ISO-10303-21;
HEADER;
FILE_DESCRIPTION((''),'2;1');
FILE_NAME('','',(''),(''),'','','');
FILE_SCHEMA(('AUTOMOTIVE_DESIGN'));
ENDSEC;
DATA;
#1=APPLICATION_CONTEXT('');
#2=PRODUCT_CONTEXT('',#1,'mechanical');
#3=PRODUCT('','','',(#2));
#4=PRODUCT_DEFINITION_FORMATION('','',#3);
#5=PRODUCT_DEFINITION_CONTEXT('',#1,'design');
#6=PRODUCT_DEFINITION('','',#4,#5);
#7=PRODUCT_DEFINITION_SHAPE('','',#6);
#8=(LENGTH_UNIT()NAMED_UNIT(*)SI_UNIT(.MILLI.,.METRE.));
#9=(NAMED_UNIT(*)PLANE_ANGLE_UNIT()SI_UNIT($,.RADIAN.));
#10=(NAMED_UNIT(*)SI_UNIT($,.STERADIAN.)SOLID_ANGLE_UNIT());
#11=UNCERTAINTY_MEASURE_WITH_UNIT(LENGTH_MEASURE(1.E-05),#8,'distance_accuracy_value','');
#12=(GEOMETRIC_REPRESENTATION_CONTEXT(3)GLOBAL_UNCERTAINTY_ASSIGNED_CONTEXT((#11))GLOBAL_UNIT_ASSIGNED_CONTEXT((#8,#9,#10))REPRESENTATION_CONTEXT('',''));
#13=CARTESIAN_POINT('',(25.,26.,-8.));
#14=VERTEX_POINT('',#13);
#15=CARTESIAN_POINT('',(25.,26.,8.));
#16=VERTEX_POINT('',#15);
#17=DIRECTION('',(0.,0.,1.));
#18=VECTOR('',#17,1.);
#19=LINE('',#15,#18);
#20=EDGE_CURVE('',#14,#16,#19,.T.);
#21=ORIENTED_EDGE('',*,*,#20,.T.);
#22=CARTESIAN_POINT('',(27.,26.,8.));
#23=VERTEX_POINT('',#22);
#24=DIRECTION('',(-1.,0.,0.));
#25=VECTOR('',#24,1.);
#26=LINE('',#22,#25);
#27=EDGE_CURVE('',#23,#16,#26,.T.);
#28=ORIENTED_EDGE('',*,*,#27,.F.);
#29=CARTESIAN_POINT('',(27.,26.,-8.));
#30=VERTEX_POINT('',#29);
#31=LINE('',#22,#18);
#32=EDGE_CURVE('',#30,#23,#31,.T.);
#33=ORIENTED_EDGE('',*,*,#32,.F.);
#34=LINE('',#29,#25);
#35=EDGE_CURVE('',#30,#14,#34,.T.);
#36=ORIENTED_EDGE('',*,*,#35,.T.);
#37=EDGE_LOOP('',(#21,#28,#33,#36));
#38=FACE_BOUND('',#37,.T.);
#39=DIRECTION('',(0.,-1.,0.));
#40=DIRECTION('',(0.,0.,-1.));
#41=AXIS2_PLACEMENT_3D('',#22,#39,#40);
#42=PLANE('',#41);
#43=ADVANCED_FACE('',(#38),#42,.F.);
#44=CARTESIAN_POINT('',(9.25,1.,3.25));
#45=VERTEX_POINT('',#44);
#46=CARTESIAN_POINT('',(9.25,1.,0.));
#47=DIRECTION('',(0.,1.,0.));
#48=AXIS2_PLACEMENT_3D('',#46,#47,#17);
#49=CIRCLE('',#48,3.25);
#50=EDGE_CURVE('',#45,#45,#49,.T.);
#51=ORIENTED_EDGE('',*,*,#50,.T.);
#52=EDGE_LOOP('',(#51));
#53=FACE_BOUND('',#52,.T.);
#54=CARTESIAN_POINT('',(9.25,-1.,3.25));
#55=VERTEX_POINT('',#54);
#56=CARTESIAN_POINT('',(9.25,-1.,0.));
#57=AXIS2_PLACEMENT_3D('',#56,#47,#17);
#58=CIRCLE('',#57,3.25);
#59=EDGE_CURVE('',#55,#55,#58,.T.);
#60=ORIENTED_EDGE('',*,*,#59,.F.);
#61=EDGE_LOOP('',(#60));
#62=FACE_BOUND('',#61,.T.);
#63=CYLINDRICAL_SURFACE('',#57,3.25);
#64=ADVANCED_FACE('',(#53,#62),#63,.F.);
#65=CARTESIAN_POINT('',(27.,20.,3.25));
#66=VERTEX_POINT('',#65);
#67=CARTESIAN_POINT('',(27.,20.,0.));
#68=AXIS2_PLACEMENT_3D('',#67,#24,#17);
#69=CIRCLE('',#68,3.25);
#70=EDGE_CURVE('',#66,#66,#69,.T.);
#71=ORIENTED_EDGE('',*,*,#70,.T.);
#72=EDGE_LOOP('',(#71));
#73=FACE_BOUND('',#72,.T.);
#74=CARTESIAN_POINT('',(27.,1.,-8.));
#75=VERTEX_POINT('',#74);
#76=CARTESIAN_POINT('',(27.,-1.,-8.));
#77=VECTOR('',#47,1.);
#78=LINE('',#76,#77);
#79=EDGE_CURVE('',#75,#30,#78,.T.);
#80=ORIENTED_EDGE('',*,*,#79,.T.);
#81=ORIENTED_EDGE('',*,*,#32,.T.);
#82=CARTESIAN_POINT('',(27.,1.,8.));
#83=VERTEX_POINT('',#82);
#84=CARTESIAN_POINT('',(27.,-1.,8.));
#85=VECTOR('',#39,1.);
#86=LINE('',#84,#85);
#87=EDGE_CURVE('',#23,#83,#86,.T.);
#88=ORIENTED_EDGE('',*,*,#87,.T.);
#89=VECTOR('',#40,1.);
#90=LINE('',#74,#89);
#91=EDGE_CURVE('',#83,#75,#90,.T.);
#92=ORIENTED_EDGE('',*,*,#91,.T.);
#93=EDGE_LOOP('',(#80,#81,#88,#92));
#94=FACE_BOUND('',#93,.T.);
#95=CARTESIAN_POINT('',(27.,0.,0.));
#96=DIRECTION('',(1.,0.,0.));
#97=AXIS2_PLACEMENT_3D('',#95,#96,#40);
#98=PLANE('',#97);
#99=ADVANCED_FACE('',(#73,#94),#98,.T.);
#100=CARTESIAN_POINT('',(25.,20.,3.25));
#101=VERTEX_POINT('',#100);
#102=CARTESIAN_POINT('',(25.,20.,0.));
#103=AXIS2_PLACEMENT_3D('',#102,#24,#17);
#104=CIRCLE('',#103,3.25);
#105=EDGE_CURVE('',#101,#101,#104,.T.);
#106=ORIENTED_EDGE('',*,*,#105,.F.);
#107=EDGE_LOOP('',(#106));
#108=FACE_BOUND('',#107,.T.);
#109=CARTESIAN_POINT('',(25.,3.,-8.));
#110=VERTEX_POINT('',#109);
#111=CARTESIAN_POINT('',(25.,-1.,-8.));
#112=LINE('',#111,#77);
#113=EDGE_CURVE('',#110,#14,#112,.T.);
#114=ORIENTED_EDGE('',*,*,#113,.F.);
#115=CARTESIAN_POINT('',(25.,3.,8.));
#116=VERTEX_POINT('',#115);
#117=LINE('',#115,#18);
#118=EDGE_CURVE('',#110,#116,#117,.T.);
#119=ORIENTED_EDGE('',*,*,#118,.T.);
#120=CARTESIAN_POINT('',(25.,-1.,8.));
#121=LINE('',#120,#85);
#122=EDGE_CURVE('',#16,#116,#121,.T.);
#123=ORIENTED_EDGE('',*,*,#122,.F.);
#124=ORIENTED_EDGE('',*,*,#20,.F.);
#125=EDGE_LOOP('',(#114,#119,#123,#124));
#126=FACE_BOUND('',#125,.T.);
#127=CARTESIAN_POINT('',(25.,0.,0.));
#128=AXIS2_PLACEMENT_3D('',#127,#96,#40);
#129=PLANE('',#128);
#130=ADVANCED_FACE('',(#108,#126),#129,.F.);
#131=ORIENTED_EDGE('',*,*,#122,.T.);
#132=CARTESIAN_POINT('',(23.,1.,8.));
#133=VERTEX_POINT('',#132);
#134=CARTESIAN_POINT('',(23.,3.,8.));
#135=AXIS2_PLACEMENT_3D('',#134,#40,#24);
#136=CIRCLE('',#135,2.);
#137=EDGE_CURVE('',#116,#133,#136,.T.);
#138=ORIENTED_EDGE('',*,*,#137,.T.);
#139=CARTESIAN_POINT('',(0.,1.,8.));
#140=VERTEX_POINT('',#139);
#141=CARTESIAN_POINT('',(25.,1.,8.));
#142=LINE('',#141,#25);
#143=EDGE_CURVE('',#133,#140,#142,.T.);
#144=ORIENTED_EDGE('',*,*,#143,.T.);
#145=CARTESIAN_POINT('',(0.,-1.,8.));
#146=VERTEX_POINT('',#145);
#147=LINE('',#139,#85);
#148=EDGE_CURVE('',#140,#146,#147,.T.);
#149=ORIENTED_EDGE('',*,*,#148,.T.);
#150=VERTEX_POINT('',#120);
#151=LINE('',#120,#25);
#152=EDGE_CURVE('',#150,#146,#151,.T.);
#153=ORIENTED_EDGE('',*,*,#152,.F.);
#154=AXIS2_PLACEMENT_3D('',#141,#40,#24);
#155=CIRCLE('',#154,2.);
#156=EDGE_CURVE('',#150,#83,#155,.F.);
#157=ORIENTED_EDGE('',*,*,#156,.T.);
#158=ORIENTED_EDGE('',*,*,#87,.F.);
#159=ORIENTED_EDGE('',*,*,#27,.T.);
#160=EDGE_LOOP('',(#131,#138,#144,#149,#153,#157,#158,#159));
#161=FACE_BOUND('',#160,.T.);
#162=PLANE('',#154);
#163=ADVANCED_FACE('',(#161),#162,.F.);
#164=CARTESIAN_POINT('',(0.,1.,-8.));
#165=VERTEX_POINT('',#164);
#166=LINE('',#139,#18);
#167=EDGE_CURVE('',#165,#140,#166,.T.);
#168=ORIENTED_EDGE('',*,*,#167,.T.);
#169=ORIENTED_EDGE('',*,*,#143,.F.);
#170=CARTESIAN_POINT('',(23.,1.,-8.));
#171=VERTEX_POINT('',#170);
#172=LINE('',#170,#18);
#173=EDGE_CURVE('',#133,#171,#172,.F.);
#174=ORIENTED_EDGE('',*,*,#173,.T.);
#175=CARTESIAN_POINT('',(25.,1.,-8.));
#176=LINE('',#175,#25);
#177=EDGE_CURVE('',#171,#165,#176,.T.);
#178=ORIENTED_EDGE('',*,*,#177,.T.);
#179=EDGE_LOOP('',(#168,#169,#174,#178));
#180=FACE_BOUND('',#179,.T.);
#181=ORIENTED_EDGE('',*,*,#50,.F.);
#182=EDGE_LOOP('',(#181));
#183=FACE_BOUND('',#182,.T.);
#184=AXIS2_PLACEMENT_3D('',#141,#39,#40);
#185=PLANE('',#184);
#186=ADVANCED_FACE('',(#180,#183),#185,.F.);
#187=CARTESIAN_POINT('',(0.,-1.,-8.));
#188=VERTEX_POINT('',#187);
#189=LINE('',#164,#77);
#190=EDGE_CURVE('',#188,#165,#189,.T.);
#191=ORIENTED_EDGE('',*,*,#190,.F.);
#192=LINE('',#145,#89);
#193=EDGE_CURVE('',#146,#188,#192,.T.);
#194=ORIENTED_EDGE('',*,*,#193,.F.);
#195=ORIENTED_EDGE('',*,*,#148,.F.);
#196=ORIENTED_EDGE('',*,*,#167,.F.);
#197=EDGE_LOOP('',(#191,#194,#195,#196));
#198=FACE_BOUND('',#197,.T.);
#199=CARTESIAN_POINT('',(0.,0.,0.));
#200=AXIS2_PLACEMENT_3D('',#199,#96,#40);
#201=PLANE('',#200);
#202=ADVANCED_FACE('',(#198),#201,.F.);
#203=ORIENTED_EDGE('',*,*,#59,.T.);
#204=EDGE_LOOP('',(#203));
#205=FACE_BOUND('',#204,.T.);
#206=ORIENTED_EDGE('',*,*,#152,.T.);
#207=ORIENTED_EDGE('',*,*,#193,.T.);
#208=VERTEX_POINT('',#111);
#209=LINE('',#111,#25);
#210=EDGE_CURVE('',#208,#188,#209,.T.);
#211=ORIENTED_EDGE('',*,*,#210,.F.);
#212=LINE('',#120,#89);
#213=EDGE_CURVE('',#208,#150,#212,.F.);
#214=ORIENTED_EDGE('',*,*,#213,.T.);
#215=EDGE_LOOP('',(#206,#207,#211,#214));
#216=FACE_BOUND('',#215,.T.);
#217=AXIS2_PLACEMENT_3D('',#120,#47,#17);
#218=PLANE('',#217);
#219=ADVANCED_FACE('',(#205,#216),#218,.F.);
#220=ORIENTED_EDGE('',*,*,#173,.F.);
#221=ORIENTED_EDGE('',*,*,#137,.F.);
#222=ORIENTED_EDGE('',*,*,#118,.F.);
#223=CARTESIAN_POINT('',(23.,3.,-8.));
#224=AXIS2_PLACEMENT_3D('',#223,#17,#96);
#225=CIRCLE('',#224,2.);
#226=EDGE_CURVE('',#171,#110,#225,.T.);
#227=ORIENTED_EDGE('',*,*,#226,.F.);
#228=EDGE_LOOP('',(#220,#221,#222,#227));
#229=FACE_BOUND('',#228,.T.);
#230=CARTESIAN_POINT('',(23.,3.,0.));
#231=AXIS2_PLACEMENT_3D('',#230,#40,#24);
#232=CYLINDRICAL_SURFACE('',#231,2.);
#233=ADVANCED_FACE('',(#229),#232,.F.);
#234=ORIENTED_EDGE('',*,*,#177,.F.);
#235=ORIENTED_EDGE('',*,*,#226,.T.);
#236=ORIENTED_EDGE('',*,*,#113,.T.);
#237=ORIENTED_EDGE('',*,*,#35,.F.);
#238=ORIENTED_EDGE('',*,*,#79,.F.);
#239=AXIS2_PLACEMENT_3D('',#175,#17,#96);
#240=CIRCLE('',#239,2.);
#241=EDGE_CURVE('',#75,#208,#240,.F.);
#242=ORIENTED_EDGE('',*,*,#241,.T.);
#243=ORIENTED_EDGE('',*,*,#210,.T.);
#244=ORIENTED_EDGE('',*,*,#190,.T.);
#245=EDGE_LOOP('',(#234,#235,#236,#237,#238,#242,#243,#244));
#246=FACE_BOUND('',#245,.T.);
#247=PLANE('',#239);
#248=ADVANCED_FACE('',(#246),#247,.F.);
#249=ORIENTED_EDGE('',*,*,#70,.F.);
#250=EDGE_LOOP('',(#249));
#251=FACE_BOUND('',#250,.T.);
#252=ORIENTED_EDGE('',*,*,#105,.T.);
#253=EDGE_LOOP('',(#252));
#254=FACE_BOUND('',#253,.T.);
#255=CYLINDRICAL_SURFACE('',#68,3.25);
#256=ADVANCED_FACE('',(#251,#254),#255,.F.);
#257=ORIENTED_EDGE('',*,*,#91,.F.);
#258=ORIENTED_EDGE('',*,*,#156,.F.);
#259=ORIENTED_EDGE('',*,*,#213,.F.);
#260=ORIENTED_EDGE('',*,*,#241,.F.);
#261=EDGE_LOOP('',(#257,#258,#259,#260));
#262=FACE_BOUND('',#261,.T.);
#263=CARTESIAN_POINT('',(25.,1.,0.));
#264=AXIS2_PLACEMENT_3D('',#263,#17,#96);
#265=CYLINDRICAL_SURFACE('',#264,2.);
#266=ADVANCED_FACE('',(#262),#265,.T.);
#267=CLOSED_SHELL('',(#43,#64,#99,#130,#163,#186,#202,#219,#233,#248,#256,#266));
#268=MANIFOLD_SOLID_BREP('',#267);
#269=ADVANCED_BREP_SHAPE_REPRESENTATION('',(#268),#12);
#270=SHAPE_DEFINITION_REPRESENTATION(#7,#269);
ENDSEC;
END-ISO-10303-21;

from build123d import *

# Parameters (mm, degrees)
CROQUIS2_W              = 16
CROQUIS2_H              = 2
SALIENTE_EXTRUIR3_DEPTH = 25
CROQUIS3_W              = 16
CROQUIS3_H              = 27
SALIENTE_EXTRUIR4_DEPTH = 2
REDONDEO1_R             = 2
CROQUIS4_R              = 3.25
CORTAR_EXTRUIR1_DEPTH   = 38.656340768
CROQUIS5_R              = 3.25
CORTAR_EXTRUIR2_DEPTH   = 37.945906404


with BuildPart() as part:
    # Croquis2 → Saliente-Extruir3 (new body)
    with BuildSketch(Plane(origin=(0, 0, 0), x_dir=(0, 0, -1), z_dir=(1, 0, 0))):
        Rectangle(CROQUIS2_W, CROQUIS2_H)
    extrude(amount=SALIENTE_EXTRUIR3_DEPTH)

    # Croquis3 → Saliente-Extruir4 (add)
    with BuildSketch(Plane(origin=(25, 0, 0), x_dir=(0, 0, -1), z_dir=(1, 0, 0))):
        with Locations((0, 12.5)):
            Rectangle(CROQUIS3_W, CROQUIS3_H)
    extrude(amount=SALIENTE_EXTRUIR4_DEPTH)

    # Redondeo1
    redondeo1_edges = [part.edges().sort_by_distance(p)[0] for p in [
        (27, -1, 0),
        (25, 1, 0),
    ]]
    fillet(redondeo1_edges, radius=REDONDEO1_R)

    # Croquis4 → Cortar-Extruir1 (cut, through all)
    with BuildSketch(Plane(origin=(0, 1, 0), x_dir=(1, 0, 0), z_dir=(0, 1, 0))):
        with Locations(Location((9.25, 0, 0), (0, 0, 270))):
            Circle(CROQUIS4_R)
    extrude(amount=-CORTAR_EXTRUIR1_DEPTH, mode=Mode.SUBTRACT)

    # Croquis5 → Cortar-Extruir2 (cut, through all)
    with BuildSketch(Plane.ZY.offset(-25)):
        with Locations((0, 20)):
            Circle(CROQUIS5_R)
    extrude(amount=-CORTAR_EXTRUIR2_DEPTH, mode=Mode.SUBTRACT)


solid = part.part
